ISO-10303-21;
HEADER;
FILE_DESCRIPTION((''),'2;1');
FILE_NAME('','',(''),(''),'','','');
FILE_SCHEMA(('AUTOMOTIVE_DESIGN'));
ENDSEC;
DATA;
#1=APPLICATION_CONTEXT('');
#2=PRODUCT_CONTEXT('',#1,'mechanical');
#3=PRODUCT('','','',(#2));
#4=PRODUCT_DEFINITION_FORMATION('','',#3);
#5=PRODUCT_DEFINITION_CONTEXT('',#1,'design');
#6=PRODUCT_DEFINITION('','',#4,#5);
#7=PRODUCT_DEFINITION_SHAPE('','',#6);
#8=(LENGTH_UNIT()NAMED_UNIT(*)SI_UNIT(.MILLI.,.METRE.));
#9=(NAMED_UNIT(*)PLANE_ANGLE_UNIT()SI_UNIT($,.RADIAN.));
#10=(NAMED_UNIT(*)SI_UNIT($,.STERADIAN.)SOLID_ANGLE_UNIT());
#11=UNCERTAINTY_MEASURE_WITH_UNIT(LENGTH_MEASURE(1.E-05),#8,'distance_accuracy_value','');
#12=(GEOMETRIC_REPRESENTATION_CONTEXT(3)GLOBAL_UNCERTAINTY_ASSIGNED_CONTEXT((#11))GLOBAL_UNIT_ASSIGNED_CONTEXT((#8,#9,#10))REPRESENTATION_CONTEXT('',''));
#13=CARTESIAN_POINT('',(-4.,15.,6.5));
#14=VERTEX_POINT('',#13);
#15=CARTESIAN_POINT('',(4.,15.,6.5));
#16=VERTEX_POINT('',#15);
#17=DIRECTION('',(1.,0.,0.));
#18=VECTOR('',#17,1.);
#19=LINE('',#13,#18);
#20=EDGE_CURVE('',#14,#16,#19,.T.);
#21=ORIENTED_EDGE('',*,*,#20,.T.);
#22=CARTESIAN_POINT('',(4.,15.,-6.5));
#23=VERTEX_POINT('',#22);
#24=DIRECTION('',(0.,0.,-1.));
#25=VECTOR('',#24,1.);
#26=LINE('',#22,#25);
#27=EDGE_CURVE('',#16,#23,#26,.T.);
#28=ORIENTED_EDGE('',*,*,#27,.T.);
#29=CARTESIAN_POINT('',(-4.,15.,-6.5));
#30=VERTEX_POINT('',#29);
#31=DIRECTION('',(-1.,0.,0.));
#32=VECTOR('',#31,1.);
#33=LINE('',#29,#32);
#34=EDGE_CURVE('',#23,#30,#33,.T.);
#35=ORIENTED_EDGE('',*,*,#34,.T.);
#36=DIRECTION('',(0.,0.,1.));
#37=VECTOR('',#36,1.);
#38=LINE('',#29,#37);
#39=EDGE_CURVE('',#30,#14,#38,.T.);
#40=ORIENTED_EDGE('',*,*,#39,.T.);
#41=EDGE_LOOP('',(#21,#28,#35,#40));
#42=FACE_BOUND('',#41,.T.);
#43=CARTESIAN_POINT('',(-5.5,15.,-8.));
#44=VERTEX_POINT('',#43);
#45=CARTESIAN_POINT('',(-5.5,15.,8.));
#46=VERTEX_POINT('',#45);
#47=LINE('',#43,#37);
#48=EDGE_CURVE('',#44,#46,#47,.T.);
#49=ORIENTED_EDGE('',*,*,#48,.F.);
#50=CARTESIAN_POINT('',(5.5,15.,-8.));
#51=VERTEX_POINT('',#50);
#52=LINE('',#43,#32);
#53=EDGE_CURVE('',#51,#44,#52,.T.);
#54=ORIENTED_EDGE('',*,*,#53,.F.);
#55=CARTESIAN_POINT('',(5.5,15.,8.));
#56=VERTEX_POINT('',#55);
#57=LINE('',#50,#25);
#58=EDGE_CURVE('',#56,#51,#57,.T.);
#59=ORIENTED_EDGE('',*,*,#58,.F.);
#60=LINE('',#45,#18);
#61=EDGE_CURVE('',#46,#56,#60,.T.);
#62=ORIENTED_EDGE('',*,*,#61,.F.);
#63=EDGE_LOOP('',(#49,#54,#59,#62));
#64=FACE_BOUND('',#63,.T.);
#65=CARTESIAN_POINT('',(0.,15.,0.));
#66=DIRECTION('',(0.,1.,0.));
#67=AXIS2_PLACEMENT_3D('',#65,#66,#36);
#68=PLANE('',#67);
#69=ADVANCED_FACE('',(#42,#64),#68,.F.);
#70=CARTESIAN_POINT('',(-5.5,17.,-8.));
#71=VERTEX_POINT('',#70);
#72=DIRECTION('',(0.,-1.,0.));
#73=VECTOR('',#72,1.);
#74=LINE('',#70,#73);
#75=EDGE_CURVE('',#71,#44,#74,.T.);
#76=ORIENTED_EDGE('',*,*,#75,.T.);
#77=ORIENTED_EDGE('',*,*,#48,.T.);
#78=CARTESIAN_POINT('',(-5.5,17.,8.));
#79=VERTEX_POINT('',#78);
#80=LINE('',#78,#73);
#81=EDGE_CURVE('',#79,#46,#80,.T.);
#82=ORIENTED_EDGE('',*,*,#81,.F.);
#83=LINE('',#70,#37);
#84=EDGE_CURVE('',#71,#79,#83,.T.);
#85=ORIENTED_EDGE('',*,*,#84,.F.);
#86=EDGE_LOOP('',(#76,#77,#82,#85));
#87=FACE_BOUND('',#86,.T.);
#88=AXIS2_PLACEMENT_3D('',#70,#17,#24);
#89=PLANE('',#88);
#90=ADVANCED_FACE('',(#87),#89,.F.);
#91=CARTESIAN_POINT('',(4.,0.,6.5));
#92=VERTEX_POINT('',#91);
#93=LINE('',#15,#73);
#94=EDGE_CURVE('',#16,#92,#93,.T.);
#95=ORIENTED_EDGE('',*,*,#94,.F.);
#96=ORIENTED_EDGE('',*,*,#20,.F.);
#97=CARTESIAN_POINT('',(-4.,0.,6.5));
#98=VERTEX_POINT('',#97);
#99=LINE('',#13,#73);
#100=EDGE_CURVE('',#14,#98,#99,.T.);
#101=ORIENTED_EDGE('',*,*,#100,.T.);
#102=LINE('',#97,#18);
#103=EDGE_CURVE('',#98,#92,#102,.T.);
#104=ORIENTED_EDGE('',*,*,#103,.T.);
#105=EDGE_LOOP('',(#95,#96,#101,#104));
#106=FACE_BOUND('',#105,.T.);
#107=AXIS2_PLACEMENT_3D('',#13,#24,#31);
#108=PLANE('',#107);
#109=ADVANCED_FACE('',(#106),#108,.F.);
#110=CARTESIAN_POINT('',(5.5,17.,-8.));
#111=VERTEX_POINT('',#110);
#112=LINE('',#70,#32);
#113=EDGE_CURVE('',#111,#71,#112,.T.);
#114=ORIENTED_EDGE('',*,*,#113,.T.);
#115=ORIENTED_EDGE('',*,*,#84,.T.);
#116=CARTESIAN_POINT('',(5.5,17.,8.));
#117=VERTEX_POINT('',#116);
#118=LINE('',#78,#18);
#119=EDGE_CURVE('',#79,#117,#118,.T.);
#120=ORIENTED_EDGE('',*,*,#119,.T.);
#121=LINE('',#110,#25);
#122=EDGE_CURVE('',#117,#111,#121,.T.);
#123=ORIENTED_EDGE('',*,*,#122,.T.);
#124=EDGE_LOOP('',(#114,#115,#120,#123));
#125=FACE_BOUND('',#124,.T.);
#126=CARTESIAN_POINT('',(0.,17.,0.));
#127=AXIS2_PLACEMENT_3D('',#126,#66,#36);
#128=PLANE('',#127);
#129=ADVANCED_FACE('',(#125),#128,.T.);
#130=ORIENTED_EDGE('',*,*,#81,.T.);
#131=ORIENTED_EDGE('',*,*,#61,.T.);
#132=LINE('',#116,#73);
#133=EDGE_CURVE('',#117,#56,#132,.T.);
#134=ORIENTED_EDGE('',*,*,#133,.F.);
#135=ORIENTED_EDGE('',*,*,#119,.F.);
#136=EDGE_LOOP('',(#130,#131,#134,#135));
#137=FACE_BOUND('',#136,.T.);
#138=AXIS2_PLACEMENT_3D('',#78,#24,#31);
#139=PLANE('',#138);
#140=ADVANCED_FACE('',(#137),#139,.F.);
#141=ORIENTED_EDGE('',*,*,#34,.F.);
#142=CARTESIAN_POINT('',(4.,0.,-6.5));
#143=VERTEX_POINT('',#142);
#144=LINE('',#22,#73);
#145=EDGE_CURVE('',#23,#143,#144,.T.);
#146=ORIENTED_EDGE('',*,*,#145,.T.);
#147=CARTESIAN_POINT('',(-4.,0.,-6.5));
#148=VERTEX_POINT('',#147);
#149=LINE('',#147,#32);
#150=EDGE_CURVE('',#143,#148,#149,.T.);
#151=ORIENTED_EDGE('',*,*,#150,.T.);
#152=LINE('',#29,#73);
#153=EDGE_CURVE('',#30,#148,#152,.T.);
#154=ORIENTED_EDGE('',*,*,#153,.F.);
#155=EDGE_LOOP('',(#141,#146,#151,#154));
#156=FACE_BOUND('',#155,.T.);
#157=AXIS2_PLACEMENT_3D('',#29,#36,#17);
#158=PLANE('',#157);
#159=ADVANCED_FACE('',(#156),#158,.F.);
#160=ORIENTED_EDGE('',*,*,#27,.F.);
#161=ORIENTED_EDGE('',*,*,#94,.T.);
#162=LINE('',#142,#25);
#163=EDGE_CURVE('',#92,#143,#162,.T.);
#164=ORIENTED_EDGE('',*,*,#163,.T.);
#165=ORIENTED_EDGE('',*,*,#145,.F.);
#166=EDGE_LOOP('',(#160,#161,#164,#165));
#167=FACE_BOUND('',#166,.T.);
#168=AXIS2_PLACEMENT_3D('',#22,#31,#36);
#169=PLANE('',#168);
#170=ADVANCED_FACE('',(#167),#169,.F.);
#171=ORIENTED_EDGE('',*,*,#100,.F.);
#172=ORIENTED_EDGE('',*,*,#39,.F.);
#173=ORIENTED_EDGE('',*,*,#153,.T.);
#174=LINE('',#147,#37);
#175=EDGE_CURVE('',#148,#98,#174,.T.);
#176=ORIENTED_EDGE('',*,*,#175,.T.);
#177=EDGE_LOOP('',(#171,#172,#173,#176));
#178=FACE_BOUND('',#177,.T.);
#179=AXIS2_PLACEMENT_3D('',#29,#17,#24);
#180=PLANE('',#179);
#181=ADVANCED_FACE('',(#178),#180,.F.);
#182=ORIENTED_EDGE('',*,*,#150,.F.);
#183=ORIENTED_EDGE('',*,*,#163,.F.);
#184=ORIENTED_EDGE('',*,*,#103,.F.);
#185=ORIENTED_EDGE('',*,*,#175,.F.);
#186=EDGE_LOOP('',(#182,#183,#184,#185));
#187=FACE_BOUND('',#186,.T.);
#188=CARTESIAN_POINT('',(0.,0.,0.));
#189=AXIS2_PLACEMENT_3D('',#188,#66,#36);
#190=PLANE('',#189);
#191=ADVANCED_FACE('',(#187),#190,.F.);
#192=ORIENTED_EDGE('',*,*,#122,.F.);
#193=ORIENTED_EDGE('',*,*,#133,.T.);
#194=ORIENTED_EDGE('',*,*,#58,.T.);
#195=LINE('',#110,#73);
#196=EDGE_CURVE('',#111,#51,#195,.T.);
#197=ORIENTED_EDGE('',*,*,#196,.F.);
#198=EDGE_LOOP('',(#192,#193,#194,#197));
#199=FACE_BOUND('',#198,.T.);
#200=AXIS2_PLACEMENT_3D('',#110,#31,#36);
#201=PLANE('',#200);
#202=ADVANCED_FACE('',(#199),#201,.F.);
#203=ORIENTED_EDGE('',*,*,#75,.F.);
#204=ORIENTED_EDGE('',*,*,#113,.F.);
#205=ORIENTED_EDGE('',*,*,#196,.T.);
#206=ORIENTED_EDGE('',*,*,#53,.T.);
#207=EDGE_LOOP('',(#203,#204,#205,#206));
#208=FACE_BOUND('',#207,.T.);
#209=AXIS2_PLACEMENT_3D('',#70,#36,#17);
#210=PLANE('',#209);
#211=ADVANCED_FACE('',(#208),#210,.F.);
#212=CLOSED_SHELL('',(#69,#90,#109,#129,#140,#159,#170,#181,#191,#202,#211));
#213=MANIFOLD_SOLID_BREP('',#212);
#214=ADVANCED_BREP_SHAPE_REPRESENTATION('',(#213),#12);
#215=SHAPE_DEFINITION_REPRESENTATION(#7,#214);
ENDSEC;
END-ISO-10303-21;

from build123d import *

# Parameters (mm, degrees)
SKETCH_1_W      = 8
SKETCH_1_H      = 13
EXTRUDE_1_DEPTH = 15
SKETCH_2_W      = 11
SKETCH_2_H      = 16
EXTRUDE_2_DEPTH = 2


with BuildPart() as part:
    # Эскиз1 → Бобышка-Вытянуть1 (new body)
    with BuildSketch(Plane(origin=(0, 0, 0), x_dir=(1, 0, 0), z_dir=(0, 1, 0))):
        Rectangle(SKETCH_1_W, SKETCH_1_H)
    extrude(amount=EXTRUDE_1_DEPTH)

    # Эскиз2 → Бобышка-Вытянуть2 (add)
    with BuildSketch(Plane(origin=(0, 15, 0), x_dir=(1, 0, 0), z_dir=(0, 1, 0))):
        Rectangle(SKETCH_2_W, SKETCH_2_H)
    extrude(amount=EXTRUDE_2_DEPTH)


solid = part.part
